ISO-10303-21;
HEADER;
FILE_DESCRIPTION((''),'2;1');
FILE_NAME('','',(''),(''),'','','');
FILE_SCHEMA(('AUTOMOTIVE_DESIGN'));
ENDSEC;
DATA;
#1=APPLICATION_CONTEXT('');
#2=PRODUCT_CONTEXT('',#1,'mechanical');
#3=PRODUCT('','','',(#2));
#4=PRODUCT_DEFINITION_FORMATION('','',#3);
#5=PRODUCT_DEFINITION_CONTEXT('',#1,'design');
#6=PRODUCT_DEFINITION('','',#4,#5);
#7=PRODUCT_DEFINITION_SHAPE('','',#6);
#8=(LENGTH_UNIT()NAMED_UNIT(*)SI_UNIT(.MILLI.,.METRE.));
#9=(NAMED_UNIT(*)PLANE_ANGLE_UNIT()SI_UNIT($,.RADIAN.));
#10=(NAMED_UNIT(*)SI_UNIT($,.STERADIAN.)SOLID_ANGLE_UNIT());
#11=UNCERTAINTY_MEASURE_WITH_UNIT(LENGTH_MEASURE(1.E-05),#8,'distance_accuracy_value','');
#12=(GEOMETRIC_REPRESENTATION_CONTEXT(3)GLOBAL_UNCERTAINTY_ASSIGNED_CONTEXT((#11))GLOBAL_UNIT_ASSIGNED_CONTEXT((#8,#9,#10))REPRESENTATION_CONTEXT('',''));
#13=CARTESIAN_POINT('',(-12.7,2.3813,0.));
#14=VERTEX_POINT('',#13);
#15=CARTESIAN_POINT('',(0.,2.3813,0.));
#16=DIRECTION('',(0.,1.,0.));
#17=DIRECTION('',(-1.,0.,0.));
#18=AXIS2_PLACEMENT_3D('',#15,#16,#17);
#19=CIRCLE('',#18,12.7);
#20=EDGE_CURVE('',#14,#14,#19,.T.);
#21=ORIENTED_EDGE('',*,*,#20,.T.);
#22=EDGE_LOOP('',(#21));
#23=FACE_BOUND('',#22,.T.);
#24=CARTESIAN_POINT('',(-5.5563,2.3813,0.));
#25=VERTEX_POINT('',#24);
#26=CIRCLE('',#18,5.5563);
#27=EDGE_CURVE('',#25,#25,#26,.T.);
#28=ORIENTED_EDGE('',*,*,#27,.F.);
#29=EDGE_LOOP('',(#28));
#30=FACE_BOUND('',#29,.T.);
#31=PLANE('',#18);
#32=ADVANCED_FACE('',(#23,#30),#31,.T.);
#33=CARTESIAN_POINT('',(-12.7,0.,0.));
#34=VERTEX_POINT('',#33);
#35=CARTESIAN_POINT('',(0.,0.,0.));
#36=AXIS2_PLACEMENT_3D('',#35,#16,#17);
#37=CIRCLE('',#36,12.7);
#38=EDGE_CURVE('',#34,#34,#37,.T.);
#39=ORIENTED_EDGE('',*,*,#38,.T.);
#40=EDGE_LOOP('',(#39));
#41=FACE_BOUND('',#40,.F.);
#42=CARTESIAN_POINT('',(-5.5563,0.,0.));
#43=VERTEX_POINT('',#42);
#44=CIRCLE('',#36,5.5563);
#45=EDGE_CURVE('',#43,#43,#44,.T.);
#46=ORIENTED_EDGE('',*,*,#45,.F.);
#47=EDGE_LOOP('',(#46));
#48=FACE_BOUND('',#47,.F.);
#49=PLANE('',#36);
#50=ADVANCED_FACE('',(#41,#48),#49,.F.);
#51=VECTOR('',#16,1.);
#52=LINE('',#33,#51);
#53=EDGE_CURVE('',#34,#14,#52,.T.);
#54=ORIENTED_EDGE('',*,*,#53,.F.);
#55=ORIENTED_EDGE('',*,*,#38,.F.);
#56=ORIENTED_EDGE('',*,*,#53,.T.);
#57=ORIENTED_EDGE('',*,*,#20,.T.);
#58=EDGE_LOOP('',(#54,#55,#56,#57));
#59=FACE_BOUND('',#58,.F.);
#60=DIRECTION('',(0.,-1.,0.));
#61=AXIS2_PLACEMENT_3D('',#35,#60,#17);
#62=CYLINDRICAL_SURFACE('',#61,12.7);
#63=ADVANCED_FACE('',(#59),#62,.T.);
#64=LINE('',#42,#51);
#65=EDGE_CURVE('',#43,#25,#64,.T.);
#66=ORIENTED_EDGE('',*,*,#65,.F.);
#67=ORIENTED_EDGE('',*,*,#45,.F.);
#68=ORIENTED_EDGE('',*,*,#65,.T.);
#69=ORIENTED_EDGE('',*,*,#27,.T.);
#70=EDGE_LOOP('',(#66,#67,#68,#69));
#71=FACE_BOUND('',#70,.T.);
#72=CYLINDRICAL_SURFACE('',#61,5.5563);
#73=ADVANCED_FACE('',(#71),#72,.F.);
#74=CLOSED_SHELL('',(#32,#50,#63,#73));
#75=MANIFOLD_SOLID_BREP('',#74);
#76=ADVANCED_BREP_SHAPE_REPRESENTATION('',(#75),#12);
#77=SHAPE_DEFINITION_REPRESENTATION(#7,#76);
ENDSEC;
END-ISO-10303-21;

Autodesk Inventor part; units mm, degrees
ref_plane "YZ Plane" through (0, 0, 0) normal (1, 0, 0) x (0, 1, 0)
ref_plane "XZ Plane" through (0, 0, 0) normal (0, 1, 0) x (-1, 0, 0)
ref_plane "XY Plane" through (0, 0, 0) normal (0, 0, 1) x (1, 0, 0)
sketch "Sketch1" plane through (0, 0, 0) normal (0, 1, 0) x (-1, 0, 0)
  circle A0 centre (0, 0) radius 5.5563
  circle A1 centre (0, 0) radius 12.7
  dimension "d0" = 11.1125
  dimension "d1" = 25.4
extrude "Extrusion1" add sketch "Sketch1" along normal blind 2.3813
properties part number "spacer"
